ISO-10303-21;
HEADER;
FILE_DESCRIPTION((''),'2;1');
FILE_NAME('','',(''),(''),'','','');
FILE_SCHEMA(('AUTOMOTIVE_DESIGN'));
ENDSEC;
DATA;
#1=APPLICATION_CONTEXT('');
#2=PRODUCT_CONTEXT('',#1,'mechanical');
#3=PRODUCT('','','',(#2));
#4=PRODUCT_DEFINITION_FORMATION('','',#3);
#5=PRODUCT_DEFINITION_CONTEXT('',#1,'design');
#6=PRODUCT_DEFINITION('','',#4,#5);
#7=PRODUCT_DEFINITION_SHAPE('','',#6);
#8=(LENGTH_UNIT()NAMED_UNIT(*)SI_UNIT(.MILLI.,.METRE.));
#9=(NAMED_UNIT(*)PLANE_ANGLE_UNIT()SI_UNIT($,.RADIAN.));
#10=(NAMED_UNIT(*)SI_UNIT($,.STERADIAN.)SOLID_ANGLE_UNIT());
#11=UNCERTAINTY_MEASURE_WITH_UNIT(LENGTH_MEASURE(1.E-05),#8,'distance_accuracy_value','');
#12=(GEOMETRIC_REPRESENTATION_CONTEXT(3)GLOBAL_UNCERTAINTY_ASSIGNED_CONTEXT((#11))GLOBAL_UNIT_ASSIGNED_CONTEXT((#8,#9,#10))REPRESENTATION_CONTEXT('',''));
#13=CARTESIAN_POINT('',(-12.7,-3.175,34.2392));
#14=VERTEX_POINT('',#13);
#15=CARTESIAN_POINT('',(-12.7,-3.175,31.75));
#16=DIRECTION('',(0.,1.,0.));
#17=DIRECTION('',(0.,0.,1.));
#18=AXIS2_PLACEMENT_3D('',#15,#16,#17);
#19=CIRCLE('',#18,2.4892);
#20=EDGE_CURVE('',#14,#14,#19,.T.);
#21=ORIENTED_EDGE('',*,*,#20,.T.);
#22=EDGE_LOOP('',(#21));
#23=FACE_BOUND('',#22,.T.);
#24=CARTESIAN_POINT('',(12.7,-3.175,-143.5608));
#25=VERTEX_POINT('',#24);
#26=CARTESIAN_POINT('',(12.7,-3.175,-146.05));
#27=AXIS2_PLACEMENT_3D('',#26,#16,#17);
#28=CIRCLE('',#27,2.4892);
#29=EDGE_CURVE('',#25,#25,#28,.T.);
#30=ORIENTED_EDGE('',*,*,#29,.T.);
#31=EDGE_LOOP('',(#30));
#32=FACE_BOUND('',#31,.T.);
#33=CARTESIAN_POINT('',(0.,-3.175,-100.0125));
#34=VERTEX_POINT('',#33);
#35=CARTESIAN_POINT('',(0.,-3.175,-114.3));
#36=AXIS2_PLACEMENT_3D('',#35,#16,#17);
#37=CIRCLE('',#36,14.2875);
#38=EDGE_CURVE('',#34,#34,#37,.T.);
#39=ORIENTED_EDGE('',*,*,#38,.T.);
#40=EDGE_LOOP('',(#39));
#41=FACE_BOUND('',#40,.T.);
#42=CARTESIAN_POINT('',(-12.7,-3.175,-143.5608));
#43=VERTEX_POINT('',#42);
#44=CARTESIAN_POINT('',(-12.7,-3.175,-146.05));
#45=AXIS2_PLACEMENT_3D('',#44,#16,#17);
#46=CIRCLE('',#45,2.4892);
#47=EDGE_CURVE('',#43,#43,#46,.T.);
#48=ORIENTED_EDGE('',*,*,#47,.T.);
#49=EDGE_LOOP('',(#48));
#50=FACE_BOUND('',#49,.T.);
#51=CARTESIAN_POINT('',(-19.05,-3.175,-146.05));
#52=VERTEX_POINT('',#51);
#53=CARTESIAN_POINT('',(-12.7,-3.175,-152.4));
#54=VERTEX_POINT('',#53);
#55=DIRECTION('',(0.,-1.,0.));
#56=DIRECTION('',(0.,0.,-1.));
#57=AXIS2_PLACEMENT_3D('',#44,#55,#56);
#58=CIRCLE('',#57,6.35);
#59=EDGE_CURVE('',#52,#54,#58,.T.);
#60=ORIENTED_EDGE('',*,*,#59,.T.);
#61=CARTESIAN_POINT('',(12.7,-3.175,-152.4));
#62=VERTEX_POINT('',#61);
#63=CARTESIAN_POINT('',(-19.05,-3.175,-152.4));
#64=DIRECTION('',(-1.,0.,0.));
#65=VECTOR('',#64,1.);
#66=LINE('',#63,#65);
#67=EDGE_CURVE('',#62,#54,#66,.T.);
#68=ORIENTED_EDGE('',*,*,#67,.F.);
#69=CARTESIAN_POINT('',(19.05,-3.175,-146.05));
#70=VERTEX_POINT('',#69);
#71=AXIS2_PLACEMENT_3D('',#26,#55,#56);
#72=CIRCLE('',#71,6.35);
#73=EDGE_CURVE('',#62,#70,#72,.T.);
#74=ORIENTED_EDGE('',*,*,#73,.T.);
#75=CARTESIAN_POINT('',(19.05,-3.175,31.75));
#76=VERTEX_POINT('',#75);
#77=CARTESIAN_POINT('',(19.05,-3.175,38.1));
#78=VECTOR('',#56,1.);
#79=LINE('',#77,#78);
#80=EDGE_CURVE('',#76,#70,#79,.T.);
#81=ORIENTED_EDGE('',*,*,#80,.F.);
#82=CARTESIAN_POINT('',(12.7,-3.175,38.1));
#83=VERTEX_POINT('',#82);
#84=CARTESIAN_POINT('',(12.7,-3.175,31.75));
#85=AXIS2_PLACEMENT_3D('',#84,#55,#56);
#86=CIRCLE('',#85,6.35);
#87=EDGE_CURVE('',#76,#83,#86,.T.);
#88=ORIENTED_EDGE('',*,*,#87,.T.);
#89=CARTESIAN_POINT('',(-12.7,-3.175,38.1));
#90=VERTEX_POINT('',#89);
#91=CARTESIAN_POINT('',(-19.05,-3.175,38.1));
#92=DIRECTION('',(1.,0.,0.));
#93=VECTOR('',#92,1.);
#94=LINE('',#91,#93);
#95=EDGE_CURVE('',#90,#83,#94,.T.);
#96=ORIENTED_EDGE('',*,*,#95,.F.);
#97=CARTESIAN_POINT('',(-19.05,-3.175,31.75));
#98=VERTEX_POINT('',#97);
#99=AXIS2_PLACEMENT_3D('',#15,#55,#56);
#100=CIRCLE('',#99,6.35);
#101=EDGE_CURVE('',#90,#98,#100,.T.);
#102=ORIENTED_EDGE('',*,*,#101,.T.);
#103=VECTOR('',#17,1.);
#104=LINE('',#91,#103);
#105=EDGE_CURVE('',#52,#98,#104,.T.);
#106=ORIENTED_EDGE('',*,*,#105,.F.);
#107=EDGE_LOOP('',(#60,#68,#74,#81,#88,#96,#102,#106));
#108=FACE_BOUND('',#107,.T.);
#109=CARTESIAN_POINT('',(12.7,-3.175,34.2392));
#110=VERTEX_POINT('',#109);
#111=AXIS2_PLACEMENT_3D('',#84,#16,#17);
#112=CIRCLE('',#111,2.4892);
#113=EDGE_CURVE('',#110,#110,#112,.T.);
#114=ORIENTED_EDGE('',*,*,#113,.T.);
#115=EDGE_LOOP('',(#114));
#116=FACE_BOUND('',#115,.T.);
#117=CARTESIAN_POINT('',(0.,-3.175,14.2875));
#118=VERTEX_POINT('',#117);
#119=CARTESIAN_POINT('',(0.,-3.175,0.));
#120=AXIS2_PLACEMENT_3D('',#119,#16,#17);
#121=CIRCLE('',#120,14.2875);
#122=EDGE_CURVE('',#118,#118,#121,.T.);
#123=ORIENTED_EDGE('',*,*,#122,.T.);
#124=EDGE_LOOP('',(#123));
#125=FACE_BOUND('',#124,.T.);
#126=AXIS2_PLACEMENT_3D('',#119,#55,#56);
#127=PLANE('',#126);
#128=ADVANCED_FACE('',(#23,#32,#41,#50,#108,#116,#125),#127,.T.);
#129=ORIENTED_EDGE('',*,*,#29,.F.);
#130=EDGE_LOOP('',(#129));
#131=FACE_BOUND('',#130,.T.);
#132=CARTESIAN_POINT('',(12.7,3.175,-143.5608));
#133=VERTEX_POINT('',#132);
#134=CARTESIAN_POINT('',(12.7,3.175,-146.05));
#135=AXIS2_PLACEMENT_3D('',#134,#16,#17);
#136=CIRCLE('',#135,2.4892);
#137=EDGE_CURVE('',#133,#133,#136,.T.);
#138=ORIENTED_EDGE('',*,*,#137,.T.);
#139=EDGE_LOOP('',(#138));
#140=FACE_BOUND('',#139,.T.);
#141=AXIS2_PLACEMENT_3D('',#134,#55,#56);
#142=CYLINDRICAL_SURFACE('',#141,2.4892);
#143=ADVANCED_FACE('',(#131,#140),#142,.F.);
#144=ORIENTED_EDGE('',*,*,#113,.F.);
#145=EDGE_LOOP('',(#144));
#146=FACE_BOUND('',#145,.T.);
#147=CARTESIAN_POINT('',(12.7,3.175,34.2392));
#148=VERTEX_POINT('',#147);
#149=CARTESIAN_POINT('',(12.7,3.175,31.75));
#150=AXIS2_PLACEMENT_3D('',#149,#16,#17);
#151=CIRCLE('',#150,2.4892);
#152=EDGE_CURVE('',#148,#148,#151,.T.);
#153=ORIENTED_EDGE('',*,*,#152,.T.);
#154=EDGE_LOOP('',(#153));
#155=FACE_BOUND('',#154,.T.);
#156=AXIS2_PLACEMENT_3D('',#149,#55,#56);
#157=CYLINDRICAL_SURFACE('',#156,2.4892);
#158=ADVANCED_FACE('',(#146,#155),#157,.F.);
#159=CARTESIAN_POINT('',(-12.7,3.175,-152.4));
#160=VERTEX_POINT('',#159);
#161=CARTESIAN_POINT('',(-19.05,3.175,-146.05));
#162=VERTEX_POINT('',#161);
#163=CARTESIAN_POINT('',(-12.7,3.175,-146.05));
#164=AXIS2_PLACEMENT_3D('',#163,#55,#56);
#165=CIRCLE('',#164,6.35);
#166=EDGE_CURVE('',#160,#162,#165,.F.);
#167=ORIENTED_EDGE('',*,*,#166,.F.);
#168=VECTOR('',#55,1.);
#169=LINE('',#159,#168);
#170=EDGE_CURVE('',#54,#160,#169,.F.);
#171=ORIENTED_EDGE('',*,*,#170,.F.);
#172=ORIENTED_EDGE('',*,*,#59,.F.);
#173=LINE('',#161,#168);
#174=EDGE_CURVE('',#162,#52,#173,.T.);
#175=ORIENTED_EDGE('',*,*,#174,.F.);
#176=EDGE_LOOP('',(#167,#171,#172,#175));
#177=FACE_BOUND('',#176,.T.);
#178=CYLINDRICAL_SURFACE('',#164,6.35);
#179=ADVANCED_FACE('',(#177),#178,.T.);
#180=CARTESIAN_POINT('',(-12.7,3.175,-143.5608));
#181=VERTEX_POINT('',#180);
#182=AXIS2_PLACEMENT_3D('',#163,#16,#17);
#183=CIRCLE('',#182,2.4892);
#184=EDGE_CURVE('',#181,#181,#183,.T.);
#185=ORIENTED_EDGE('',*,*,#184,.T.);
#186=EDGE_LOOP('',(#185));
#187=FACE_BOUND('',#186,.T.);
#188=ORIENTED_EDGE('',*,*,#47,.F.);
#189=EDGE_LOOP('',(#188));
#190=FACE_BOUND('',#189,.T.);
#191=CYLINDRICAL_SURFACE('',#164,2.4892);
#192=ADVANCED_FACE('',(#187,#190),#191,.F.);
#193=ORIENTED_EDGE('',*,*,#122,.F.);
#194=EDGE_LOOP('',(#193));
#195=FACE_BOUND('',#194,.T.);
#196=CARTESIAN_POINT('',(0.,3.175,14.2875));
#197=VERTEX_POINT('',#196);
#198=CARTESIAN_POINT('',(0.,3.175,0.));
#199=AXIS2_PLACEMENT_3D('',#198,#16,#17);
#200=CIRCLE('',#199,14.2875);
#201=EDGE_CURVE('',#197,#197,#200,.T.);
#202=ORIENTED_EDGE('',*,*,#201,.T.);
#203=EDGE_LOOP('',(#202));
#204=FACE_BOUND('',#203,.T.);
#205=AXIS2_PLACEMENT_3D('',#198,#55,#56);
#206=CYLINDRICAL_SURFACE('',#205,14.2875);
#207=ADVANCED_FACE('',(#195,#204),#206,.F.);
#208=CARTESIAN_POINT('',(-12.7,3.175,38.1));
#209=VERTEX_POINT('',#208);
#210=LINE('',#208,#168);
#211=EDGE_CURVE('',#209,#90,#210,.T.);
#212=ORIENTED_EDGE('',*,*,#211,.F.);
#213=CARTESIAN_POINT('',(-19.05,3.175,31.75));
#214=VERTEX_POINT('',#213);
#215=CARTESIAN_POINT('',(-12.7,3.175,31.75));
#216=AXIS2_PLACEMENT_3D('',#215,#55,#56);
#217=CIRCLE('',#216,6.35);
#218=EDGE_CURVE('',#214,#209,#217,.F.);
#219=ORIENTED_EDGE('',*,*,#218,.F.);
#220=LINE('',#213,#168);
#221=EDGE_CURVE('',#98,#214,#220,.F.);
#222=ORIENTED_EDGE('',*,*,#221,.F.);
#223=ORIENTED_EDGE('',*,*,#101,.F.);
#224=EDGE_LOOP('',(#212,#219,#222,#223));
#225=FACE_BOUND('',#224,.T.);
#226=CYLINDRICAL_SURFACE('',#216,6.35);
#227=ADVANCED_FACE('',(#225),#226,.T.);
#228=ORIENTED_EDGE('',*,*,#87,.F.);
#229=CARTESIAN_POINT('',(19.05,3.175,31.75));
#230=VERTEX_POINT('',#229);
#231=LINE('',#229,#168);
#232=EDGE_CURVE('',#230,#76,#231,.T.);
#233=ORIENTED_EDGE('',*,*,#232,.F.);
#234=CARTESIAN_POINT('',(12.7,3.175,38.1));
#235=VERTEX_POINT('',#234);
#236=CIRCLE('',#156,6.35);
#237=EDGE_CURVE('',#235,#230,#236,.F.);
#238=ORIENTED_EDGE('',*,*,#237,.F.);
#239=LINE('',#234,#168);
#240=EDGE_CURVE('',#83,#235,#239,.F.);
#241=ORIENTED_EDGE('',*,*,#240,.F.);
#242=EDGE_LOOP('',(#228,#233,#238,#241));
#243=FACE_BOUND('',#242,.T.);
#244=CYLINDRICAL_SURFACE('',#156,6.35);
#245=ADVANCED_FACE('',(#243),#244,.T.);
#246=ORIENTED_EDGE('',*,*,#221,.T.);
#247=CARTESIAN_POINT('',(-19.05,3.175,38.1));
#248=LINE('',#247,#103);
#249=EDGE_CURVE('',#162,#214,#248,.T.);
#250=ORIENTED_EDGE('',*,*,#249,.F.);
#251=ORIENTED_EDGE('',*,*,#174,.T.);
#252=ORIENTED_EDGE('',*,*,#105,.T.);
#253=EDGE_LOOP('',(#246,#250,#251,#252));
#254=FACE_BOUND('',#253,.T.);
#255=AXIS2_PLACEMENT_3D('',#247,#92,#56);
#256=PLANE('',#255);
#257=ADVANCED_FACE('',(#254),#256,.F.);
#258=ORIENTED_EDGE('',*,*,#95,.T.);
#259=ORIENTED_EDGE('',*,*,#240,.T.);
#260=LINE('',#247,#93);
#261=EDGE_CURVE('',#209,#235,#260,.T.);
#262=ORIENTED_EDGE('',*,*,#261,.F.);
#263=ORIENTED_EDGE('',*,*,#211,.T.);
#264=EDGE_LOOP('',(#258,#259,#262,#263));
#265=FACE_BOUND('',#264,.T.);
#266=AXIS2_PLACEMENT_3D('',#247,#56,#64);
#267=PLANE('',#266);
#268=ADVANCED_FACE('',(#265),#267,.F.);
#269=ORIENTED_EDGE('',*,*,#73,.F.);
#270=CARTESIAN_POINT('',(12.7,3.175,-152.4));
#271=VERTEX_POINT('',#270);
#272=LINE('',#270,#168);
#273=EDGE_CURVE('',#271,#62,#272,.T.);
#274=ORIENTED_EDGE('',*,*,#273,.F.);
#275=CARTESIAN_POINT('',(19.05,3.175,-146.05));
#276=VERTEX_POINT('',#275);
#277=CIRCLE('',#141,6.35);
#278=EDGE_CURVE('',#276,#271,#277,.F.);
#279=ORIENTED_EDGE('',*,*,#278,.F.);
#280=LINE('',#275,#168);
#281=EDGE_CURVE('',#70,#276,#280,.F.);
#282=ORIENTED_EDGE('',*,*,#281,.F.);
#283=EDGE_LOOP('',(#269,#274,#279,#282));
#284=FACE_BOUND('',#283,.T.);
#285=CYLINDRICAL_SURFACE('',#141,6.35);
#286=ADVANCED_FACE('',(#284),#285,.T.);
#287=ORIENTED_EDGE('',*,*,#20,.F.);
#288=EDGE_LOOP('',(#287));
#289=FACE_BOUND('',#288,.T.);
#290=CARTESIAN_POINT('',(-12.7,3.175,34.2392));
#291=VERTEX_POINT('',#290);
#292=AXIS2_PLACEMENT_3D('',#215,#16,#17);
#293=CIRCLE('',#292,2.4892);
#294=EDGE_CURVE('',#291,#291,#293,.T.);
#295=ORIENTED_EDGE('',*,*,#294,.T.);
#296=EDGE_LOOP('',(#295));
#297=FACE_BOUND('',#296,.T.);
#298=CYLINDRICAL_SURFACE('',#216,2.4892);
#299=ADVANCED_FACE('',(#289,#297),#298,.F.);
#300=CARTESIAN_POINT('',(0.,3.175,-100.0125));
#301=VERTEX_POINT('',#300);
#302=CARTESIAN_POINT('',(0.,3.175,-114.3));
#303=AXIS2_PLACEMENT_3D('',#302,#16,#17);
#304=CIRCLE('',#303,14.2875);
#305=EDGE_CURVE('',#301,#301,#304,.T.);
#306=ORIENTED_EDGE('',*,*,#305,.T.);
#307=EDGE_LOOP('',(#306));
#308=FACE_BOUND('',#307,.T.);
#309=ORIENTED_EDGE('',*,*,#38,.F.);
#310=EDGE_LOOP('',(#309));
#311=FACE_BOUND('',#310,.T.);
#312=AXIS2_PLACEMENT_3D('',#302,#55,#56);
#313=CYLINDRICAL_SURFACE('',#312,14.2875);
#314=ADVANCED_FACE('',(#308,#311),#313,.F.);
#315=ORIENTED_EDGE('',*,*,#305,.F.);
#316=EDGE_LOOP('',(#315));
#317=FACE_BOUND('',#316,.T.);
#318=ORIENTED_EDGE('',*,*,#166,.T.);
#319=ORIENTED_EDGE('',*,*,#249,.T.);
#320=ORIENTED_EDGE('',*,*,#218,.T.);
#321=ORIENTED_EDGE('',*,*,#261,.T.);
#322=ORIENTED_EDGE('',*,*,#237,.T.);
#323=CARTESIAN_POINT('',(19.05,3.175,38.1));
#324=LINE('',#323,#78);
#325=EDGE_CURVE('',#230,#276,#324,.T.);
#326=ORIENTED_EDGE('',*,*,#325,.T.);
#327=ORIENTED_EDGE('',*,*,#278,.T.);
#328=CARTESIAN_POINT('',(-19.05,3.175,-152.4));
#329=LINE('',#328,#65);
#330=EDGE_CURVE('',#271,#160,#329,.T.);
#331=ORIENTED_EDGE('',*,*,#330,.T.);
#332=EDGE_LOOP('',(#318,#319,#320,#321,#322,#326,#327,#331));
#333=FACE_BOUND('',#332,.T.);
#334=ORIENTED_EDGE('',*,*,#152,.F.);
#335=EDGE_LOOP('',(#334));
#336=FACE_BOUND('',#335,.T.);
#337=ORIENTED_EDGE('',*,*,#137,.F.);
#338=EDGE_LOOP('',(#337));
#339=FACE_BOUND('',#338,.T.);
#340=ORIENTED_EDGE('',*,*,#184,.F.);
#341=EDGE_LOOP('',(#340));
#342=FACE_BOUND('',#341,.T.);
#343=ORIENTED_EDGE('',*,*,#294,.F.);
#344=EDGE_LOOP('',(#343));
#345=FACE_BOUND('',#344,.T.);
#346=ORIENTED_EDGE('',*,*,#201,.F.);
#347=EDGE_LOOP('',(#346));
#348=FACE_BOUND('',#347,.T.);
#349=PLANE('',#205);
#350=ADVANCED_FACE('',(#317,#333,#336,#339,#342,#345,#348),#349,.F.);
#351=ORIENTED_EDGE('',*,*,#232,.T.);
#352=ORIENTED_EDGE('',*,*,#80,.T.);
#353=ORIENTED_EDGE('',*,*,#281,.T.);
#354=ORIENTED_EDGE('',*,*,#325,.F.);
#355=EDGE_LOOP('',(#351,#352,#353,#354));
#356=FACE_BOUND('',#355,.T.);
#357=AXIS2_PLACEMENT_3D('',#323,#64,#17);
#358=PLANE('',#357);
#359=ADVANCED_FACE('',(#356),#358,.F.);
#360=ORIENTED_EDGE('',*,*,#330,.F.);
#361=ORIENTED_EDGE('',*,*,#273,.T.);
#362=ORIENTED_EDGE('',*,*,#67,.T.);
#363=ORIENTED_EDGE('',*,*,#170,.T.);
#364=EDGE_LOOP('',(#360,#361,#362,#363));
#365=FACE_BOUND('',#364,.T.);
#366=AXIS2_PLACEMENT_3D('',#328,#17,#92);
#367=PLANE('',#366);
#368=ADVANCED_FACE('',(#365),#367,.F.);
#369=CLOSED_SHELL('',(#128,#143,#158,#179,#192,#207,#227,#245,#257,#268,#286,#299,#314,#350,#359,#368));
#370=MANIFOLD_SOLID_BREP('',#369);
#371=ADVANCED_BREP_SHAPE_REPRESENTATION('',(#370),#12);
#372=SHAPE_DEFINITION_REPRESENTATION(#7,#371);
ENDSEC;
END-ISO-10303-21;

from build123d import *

# Parameters (mm, degrees)
SKETCH1_W           = 38.1
SKETCH1_H           = 190.5
SKETCH1_R           = 14.2875
SKETCH1_R_2         = 2.4892
BOSS_EXTRUDE1_DEPTH = 3.175
FILLET1_R           = 6.35


with BuildPart() as part:
    # Sketch1 → Boss-Extrude1 (new, symmetric)
    with BuildSketch(Plane(origin=(0, 0, 0), x_dir=(1, 0, 0), z_dir=(0, 1, 0))):
        with Locations((0, 57.15)):
            Rectangle(SKETCH1_W, SKETCH1_H)
        with Locations(Location((0, 0, 0), (0, 0, 270))):
            Circle(SKETCH1_R, mode=Mode.SUBTRACT)
        with Locations(Location((0, 114.3, 0), (0, 0, 270))):
            Circle(SKETCH1_R, mode=Mode.SUBTRACT)
        with Locations(Location((-12.7, 146.05, 0), (0, 0, 270))):
            Circle(SKETCH1_R_2, mode=Mode.SUBTRACT)
        with Locations(Location((12.7, 146.05, 0), (0, 0, 270))):
            Circle(SKETCH1_R_2, mode=Mode.SUBTRACT)
        with Locations(Location((-12.7, -31.75, 0), (0, 0, 270))):
            Circle(SKETCH1_R_2, mode=Mode.SUBTRACT)
        with Locations(Location((12.7, -31.75, 0), (0, 0, 270))):
            Circle(SKETCH1_R_2, mode=Mode.SUBTRACT)
    extrude(amount=BOSS_EXTRUDE1_DEPTH, both=True)

    # Fillet1
    fillet1_edges = [part.edges().sort_by_distance(p)[0] for p in [
        (-19.05, 0, -152.4),
        (19.05, 0, -152.4),
        (19.05, 0, 38.1),
        (-19.05, 0, 38.1),
    ]]
    fillet(fillet1_edges, radius=FILLET1_R)


solid = part.part
